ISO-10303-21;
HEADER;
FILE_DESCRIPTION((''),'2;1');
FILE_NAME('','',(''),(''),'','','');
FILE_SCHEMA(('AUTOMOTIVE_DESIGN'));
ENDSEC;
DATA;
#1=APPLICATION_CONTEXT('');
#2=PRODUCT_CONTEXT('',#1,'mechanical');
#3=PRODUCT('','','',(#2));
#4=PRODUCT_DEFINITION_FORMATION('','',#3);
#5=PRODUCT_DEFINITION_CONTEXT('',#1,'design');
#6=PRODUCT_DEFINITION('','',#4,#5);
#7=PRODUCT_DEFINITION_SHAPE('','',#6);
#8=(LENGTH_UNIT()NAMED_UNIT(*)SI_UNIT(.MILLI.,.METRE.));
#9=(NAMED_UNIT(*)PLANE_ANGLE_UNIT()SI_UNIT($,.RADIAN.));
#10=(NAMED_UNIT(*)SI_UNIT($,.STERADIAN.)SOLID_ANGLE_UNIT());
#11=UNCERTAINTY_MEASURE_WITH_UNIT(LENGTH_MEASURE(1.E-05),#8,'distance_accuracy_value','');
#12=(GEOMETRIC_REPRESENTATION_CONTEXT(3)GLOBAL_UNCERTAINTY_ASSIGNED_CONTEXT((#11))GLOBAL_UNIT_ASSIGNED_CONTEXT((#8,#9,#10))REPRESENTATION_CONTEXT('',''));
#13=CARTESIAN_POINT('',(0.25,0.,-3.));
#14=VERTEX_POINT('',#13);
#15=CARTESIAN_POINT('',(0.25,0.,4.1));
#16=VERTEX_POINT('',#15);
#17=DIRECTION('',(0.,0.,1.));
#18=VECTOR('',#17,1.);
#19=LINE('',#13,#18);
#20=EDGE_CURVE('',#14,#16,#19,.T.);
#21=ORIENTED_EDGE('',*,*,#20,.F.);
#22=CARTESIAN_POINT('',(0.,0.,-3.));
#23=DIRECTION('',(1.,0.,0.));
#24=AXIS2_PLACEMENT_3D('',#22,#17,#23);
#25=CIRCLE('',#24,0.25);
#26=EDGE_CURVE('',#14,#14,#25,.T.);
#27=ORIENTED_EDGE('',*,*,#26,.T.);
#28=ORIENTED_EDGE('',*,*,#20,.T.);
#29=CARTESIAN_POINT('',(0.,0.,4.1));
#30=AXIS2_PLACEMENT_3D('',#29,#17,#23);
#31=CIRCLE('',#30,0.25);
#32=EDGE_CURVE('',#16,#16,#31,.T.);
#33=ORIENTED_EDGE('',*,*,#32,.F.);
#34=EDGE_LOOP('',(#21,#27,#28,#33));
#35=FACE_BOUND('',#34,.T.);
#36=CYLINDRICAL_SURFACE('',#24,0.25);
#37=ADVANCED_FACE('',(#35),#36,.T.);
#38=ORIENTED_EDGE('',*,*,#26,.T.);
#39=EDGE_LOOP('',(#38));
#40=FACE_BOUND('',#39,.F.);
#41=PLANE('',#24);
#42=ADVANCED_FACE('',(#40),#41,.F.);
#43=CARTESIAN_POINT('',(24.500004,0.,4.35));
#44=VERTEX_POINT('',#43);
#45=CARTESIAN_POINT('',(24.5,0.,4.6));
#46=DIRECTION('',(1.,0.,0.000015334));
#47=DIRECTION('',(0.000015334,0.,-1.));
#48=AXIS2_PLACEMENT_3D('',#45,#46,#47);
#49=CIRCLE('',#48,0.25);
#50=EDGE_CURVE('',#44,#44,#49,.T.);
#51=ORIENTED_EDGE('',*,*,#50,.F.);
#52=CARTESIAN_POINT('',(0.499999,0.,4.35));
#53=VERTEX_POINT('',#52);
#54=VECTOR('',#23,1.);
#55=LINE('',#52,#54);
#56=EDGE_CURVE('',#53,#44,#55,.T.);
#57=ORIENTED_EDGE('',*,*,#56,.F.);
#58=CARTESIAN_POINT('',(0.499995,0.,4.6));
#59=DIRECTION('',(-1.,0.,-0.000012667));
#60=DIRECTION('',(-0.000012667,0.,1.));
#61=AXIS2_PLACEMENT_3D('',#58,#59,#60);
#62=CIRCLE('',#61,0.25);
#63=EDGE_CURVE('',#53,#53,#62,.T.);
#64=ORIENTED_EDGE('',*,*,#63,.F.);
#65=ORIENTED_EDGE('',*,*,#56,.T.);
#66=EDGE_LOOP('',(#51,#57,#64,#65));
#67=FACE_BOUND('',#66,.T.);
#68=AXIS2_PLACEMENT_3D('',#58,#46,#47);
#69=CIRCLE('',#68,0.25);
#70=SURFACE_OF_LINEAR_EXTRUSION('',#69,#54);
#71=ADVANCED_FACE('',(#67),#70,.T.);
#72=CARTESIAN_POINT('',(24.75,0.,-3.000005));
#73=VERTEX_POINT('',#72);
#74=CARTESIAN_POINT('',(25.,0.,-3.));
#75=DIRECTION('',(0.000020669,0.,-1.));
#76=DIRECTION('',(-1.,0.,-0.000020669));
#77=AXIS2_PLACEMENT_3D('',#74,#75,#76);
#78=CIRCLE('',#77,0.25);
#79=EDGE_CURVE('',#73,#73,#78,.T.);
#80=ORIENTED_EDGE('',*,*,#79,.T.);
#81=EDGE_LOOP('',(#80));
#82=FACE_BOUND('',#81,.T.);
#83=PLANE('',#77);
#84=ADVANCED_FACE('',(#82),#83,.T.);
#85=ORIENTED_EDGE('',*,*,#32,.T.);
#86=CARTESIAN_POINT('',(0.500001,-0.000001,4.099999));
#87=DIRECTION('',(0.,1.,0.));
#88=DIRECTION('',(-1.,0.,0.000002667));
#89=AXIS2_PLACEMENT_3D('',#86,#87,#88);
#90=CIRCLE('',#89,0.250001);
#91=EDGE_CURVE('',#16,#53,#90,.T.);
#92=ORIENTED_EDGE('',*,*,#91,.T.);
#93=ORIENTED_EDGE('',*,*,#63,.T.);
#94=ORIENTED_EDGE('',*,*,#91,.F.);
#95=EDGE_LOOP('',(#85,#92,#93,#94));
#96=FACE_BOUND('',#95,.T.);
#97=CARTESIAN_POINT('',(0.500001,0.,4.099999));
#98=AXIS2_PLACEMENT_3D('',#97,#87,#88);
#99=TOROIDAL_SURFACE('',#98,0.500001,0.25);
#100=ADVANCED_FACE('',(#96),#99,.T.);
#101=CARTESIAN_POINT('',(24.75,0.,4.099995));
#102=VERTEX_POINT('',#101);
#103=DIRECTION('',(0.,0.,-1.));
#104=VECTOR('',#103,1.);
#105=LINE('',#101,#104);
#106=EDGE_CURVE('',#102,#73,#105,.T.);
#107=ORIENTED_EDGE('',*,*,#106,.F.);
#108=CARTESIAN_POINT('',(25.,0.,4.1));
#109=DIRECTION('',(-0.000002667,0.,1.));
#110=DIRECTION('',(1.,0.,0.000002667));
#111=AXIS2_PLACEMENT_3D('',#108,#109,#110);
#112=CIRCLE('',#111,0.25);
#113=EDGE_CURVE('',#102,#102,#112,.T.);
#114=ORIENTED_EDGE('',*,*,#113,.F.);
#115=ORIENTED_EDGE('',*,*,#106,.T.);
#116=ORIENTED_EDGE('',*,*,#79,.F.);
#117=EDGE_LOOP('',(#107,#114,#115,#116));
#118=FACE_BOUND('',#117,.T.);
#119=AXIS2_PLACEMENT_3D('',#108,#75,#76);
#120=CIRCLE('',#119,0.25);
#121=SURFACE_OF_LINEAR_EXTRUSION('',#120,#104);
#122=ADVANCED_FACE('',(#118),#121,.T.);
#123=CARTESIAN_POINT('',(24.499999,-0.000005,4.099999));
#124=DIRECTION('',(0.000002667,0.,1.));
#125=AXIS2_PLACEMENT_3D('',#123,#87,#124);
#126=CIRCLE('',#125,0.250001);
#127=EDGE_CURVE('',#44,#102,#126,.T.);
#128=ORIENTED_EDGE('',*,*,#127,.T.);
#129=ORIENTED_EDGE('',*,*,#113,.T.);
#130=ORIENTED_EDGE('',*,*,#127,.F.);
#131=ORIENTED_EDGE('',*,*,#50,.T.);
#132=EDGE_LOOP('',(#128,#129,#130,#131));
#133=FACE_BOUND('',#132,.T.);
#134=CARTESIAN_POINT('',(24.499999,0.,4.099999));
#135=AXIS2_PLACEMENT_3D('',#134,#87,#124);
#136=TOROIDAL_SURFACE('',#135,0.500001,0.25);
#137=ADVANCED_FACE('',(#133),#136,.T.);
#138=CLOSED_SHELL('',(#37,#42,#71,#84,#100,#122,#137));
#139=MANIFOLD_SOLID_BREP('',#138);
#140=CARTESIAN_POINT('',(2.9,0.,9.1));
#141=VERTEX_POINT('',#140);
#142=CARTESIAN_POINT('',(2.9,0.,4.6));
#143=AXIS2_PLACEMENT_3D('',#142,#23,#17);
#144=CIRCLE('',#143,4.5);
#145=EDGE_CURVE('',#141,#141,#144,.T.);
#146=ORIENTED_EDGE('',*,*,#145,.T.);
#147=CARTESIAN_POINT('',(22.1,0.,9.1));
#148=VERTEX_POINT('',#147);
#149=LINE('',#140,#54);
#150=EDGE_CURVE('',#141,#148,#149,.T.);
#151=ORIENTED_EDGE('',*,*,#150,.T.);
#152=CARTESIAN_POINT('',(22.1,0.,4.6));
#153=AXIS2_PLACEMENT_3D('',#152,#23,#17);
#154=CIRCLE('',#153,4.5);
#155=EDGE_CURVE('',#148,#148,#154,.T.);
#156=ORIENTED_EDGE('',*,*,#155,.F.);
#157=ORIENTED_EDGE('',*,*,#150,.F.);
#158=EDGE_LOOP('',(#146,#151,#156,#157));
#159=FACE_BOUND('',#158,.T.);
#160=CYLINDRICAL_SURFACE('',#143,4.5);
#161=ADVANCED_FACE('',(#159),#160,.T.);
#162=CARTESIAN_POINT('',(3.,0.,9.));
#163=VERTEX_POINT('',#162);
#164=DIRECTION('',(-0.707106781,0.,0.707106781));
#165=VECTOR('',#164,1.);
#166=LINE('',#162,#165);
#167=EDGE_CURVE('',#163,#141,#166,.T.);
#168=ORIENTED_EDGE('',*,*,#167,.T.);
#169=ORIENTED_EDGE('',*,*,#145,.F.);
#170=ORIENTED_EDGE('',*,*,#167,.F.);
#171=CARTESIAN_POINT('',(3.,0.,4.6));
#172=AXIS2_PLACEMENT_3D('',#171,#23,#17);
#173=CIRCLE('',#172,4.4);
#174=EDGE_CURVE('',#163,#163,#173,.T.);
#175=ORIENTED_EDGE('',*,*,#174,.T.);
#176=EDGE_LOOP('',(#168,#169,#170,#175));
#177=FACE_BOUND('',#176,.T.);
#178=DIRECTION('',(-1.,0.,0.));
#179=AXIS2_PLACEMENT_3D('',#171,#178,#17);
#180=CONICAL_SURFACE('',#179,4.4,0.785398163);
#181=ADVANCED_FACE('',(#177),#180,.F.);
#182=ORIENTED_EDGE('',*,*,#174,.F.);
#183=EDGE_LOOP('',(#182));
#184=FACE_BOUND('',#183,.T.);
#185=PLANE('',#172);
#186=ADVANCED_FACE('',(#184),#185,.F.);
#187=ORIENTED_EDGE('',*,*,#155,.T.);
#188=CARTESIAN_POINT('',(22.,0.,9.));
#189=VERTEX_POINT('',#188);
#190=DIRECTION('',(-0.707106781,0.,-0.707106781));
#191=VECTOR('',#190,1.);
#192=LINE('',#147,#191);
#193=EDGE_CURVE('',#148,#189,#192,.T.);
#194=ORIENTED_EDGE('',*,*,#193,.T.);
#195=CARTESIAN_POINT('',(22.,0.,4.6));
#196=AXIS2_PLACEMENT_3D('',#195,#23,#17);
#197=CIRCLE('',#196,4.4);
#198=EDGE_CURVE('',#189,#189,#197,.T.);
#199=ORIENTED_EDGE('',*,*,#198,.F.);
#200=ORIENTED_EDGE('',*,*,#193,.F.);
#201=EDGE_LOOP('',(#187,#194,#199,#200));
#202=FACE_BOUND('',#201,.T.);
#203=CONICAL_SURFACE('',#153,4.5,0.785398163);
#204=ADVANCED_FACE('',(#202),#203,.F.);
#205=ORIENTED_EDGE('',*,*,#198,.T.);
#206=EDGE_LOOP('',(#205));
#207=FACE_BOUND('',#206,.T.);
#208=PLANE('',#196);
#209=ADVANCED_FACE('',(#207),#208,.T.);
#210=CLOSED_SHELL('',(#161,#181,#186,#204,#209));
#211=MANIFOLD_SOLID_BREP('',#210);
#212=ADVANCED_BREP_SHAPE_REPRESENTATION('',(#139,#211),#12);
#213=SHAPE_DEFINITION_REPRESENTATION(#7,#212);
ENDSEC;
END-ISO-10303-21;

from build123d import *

# Parameters (mm, degrees)
SKETCH_R = 0.25


with BuildPart() as sweep_body:
    # Sweep: sweep along a path in Sketch001
    with BuildLine(Plane.XZ) as sweep_path:
        Line((0, -3), (0, 4.1))
        ThreePointArc((0, 4.1), (0.146445, 4.453551), (0.499995, 4.6))
        Line((0.499995, 4.6), (24.5, 4.6))
        ThreePointArc((24.5, 4.6), (24.853553, 4.453553), (25, 4.1))
        Line((25, 4.1), (25, -3))
    # Sketch → Sweep (sweep)
    with BuildSketch(Plane.XY.offset(-2)):
        Circle(SKETCH_R)
    sweep(path=sweep_path.line)


with BuildPart() as revolution:
    # Sketch002 → Revolution (revolve)
    with BuildSketch(Plane.XZ):
        Polygon((2.9, 9.1), (22.1, 9.1), (22, 9), (22, 4.6), (3, 4.6), (3, 9), align=None)
    revolve(axis=Axis((7.611803, 0, 4.6), (1, 0, 0)))


solid = Compound([sweep_body.part, revolution.part])
